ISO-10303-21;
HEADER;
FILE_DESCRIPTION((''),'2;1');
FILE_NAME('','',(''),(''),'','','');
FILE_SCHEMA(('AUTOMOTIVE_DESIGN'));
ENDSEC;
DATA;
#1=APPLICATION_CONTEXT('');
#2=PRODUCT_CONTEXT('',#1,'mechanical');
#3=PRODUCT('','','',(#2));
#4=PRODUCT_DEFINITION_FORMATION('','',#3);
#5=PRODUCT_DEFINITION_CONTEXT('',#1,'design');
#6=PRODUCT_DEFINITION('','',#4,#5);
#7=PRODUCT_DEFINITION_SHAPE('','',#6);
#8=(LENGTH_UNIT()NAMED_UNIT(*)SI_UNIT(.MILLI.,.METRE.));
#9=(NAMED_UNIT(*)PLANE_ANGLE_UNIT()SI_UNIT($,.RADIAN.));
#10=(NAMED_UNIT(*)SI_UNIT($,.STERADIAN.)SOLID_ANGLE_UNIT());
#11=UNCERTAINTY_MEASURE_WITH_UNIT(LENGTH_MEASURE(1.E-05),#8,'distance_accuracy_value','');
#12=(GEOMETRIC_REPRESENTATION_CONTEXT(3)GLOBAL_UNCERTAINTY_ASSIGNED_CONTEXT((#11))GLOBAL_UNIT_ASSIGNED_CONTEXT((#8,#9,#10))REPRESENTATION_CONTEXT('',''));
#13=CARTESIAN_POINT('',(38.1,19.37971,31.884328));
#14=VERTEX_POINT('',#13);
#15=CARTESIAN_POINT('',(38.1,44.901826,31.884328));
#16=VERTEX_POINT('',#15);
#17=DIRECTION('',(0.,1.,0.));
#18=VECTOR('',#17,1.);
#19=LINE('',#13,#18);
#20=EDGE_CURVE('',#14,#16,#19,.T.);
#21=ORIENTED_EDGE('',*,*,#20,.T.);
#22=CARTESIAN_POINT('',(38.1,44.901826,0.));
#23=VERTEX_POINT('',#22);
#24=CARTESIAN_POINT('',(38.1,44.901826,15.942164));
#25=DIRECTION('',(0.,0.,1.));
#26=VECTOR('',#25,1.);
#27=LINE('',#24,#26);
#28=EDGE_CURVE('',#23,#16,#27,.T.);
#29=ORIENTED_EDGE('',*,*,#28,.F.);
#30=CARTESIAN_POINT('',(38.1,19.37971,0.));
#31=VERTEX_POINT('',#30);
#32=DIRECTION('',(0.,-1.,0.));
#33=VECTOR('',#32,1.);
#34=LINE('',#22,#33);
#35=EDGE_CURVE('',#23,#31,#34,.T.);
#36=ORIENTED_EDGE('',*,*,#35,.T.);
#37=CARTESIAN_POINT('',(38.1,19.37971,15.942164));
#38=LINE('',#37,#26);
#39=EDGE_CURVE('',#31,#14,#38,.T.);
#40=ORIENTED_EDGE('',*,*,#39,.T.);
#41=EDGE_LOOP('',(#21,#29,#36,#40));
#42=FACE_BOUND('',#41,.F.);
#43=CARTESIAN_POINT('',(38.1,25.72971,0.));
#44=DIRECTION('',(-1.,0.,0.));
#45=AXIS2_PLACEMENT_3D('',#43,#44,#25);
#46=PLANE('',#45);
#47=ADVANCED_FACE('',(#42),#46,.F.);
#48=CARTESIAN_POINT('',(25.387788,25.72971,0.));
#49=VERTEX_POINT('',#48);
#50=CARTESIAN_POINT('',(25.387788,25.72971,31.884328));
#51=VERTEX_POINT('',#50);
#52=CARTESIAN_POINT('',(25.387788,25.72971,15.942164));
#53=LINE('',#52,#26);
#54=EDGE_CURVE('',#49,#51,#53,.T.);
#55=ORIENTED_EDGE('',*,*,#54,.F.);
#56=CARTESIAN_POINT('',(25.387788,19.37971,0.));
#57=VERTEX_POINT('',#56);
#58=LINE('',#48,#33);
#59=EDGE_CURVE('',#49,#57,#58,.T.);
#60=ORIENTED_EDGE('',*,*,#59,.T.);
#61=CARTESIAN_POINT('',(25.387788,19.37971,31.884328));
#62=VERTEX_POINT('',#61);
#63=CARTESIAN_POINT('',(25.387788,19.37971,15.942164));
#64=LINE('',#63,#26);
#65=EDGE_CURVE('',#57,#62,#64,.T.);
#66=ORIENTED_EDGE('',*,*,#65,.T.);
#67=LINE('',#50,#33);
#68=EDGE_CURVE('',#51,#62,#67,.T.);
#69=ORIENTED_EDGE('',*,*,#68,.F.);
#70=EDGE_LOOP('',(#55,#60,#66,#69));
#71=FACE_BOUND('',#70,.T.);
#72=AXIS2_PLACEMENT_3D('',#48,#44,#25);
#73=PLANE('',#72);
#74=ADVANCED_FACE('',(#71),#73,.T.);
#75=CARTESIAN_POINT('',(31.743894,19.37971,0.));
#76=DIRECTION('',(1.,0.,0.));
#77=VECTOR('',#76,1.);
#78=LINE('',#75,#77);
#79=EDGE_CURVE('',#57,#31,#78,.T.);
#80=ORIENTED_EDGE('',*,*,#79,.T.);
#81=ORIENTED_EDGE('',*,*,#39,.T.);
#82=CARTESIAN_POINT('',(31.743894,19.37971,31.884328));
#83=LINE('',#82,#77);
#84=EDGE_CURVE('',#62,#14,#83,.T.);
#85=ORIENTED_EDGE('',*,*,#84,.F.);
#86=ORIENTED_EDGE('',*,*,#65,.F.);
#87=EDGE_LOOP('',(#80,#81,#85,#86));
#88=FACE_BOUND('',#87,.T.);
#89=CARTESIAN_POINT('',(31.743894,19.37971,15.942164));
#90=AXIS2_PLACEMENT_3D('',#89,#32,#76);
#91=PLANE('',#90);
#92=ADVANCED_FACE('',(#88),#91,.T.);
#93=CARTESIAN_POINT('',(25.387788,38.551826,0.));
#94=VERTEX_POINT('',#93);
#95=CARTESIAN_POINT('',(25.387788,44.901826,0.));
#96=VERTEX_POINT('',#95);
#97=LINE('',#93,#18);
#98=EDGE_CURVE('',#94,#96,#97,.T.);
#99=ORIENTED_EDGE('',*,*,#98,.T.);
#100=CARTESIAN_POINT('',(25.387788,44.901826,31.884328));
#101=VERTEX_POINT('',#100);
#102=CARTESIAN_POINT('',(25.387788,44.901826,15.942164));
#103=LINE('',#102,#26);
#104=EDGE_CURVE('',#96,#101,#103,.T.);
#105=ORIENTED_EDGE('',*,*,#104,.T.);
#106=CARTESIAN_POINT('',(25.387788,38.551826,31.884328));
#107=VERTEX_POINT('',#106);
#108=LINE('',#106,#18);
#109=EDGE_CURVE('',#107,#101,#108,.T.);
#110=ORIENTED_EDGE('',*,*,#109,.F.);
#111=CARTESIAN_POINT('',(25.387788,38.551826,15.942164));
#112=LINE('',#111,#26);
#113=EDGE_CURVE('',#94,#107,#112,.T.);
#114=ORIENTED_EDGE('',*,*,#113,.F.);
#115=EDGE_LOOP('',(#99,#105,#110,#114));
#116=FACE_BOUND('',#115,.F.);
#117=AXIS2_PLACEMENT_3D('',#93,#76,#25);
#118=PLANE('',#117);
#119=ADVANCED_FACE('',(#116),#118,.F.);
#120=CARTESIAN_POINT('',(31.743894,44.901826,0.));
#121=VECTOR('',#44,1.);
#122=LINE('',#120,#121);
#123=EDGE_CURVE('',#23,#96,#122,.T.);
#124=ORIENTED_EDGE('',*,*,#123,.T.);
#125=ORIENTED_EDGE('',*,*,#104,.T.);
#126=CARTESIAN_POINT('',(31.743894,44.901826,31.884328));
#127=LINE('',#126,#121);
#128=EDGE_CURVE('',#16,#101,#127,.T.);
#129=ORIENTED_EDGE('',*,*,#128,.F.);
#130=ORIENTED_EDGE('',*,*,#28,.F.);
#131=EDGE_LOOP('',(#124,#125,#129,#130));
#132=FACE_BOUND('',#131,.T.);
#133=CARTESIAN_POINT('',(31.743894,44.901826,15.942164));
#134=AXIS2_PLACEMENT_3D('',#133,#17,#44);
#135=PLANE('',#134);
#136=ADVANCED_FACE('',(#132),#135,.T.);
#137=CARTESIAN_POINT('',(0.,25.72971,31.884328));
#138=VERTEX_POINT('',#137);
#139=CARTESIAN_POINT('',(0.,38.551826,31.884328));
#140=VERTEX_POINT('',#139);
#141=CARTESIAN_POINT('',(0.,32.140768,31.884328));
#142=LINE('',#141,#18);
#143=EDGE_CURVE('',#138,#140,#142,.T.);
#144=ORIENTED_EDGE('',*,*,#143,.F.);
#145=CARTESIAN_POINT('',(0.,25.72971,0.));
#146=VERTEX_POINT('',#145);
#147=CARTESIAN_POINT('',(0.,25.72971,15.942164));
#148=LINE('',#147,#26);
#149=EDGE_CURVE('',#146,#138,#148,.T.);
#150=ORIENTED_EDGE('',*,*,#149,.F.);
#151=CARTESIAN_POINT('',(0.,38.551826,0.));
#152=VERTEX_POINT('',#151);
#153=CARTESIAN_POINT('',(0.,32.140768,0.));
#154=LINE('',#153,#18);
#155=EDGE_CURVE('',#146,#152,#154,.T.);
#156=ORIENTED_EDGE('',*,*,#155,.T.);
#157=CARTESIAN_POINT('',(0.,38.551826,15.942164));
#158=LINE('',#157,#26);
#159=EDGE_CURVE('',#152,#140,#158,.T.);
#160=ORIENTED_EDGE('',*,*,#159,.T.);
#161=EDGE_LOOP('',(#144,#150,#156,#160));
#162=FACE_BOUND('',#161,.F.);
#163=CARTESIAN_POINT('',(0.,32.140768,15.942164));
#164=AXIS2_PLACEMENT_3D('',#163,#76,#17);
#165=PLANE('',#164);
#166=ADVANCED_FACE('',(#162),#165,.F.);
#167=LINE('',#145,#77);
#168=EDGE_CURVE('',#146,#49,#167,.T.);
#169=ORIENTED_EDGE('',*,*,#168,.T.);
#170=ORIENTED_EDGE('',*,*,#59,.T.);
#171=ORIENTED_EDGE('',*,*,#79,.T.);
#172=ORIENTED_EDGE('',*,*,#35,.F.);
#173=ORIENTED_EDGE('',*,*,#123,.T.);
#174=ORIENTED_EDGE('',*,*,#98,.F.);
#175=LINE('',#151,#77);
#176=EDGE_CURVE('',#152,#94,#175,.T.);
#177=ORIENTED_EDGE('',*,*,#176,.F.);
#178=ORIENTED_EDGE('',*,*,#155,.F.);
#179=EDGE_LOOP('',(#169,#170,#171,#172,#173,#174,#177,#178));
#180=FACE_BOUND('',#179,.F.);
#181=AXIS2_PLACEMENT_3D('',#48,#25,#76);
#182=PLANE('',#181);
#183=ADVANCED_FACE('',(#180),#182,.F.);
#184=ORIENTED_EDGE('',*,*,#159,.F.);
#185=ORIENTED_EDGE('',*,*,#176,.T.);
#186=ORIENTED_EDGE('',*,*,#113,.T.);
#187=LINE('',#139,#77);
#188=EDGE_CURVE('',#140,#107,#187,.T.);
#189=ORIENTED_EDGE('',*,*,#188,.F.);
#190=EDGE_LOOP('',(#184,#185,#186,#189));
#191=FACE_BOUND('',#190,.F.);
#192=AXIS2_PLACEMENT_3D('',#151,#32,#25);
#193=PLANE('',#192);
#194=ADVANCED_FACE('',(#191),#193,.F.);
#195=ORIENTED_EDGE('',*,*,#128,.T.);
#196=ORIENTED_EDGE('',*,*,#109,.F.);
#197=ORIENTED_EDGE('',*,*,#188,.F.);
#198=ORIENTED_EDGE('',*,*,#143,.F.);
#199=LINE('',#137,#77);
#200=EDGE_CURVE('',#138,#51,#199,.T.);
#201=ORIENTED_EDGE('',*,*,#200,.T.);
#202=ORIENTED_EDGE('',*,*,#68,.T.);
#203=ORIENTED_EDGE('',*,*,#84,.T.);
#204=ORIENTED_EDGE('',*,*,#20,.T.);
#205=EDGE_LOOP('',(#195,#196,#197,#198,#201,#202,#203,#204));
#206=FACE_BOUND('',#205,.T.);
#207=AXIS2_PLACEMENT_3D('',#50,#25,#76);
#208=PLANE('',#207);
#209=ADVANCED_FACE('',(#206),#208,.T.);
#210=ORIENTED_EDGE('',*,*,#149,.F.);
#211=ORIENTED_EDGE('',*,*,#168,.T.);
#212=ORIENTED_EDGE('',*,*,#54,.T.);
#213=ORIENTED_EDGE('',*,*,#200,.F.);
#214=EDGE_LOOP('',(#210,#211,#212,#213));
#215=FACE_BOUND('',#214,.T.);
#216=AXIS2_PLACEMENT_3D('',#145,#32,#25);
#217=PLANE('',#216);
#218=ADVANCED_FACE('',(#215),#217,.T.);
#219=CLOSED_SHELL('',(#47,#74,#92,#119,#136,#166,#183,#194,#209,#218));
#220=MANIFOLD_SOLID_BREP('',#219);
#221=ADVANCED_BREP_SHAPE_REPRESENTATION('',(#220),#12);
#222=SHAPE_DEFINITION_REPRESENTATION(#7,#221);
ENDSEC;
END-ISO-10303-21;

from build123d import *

# Parameters (mm, degrees)
F0_W     = 12.822116
F0_H     = 31.884328
F1_DEPTH = 38.1
F2_W     = 12.712212
F2_H     = 31.884328
F3_DEPTH = 6.35
F4_W     = 12.712212
F4_H     = 31.884328
F5_DEPTH = 6.35


with BuildPart() as f1:
    # F0 (on Right) → F1 (new body)
    with BuildSketch(Plane.YZ):
        with Locations((32.140768, 15.942164)):
            Rectangle(F0_W, F0_H)
    extrude(amount=F1_DEPTH)

    # F2 (on face) → F3 (join)
    with BuildSketch(Plane(origin=(0, 38.551826, 0), x_dir=(-1, 0, 0), z_dir=(0, 1, 0))):
        with Locations((-31.743894, 15.942164)):
            Rectangle(F2_W, F2_H)
    extrude(amount=F3_DEPTH)

    # F4 (on face) → F5 (join)
    with BuildSketch(Plane.XZ.offset(-25.72971)):
        with Locations((31.743894, 15.942164)):
            Rectangle(F4_W, F4_H)
    extrude(amount=F5_DEPTH)


solid = f1.part
